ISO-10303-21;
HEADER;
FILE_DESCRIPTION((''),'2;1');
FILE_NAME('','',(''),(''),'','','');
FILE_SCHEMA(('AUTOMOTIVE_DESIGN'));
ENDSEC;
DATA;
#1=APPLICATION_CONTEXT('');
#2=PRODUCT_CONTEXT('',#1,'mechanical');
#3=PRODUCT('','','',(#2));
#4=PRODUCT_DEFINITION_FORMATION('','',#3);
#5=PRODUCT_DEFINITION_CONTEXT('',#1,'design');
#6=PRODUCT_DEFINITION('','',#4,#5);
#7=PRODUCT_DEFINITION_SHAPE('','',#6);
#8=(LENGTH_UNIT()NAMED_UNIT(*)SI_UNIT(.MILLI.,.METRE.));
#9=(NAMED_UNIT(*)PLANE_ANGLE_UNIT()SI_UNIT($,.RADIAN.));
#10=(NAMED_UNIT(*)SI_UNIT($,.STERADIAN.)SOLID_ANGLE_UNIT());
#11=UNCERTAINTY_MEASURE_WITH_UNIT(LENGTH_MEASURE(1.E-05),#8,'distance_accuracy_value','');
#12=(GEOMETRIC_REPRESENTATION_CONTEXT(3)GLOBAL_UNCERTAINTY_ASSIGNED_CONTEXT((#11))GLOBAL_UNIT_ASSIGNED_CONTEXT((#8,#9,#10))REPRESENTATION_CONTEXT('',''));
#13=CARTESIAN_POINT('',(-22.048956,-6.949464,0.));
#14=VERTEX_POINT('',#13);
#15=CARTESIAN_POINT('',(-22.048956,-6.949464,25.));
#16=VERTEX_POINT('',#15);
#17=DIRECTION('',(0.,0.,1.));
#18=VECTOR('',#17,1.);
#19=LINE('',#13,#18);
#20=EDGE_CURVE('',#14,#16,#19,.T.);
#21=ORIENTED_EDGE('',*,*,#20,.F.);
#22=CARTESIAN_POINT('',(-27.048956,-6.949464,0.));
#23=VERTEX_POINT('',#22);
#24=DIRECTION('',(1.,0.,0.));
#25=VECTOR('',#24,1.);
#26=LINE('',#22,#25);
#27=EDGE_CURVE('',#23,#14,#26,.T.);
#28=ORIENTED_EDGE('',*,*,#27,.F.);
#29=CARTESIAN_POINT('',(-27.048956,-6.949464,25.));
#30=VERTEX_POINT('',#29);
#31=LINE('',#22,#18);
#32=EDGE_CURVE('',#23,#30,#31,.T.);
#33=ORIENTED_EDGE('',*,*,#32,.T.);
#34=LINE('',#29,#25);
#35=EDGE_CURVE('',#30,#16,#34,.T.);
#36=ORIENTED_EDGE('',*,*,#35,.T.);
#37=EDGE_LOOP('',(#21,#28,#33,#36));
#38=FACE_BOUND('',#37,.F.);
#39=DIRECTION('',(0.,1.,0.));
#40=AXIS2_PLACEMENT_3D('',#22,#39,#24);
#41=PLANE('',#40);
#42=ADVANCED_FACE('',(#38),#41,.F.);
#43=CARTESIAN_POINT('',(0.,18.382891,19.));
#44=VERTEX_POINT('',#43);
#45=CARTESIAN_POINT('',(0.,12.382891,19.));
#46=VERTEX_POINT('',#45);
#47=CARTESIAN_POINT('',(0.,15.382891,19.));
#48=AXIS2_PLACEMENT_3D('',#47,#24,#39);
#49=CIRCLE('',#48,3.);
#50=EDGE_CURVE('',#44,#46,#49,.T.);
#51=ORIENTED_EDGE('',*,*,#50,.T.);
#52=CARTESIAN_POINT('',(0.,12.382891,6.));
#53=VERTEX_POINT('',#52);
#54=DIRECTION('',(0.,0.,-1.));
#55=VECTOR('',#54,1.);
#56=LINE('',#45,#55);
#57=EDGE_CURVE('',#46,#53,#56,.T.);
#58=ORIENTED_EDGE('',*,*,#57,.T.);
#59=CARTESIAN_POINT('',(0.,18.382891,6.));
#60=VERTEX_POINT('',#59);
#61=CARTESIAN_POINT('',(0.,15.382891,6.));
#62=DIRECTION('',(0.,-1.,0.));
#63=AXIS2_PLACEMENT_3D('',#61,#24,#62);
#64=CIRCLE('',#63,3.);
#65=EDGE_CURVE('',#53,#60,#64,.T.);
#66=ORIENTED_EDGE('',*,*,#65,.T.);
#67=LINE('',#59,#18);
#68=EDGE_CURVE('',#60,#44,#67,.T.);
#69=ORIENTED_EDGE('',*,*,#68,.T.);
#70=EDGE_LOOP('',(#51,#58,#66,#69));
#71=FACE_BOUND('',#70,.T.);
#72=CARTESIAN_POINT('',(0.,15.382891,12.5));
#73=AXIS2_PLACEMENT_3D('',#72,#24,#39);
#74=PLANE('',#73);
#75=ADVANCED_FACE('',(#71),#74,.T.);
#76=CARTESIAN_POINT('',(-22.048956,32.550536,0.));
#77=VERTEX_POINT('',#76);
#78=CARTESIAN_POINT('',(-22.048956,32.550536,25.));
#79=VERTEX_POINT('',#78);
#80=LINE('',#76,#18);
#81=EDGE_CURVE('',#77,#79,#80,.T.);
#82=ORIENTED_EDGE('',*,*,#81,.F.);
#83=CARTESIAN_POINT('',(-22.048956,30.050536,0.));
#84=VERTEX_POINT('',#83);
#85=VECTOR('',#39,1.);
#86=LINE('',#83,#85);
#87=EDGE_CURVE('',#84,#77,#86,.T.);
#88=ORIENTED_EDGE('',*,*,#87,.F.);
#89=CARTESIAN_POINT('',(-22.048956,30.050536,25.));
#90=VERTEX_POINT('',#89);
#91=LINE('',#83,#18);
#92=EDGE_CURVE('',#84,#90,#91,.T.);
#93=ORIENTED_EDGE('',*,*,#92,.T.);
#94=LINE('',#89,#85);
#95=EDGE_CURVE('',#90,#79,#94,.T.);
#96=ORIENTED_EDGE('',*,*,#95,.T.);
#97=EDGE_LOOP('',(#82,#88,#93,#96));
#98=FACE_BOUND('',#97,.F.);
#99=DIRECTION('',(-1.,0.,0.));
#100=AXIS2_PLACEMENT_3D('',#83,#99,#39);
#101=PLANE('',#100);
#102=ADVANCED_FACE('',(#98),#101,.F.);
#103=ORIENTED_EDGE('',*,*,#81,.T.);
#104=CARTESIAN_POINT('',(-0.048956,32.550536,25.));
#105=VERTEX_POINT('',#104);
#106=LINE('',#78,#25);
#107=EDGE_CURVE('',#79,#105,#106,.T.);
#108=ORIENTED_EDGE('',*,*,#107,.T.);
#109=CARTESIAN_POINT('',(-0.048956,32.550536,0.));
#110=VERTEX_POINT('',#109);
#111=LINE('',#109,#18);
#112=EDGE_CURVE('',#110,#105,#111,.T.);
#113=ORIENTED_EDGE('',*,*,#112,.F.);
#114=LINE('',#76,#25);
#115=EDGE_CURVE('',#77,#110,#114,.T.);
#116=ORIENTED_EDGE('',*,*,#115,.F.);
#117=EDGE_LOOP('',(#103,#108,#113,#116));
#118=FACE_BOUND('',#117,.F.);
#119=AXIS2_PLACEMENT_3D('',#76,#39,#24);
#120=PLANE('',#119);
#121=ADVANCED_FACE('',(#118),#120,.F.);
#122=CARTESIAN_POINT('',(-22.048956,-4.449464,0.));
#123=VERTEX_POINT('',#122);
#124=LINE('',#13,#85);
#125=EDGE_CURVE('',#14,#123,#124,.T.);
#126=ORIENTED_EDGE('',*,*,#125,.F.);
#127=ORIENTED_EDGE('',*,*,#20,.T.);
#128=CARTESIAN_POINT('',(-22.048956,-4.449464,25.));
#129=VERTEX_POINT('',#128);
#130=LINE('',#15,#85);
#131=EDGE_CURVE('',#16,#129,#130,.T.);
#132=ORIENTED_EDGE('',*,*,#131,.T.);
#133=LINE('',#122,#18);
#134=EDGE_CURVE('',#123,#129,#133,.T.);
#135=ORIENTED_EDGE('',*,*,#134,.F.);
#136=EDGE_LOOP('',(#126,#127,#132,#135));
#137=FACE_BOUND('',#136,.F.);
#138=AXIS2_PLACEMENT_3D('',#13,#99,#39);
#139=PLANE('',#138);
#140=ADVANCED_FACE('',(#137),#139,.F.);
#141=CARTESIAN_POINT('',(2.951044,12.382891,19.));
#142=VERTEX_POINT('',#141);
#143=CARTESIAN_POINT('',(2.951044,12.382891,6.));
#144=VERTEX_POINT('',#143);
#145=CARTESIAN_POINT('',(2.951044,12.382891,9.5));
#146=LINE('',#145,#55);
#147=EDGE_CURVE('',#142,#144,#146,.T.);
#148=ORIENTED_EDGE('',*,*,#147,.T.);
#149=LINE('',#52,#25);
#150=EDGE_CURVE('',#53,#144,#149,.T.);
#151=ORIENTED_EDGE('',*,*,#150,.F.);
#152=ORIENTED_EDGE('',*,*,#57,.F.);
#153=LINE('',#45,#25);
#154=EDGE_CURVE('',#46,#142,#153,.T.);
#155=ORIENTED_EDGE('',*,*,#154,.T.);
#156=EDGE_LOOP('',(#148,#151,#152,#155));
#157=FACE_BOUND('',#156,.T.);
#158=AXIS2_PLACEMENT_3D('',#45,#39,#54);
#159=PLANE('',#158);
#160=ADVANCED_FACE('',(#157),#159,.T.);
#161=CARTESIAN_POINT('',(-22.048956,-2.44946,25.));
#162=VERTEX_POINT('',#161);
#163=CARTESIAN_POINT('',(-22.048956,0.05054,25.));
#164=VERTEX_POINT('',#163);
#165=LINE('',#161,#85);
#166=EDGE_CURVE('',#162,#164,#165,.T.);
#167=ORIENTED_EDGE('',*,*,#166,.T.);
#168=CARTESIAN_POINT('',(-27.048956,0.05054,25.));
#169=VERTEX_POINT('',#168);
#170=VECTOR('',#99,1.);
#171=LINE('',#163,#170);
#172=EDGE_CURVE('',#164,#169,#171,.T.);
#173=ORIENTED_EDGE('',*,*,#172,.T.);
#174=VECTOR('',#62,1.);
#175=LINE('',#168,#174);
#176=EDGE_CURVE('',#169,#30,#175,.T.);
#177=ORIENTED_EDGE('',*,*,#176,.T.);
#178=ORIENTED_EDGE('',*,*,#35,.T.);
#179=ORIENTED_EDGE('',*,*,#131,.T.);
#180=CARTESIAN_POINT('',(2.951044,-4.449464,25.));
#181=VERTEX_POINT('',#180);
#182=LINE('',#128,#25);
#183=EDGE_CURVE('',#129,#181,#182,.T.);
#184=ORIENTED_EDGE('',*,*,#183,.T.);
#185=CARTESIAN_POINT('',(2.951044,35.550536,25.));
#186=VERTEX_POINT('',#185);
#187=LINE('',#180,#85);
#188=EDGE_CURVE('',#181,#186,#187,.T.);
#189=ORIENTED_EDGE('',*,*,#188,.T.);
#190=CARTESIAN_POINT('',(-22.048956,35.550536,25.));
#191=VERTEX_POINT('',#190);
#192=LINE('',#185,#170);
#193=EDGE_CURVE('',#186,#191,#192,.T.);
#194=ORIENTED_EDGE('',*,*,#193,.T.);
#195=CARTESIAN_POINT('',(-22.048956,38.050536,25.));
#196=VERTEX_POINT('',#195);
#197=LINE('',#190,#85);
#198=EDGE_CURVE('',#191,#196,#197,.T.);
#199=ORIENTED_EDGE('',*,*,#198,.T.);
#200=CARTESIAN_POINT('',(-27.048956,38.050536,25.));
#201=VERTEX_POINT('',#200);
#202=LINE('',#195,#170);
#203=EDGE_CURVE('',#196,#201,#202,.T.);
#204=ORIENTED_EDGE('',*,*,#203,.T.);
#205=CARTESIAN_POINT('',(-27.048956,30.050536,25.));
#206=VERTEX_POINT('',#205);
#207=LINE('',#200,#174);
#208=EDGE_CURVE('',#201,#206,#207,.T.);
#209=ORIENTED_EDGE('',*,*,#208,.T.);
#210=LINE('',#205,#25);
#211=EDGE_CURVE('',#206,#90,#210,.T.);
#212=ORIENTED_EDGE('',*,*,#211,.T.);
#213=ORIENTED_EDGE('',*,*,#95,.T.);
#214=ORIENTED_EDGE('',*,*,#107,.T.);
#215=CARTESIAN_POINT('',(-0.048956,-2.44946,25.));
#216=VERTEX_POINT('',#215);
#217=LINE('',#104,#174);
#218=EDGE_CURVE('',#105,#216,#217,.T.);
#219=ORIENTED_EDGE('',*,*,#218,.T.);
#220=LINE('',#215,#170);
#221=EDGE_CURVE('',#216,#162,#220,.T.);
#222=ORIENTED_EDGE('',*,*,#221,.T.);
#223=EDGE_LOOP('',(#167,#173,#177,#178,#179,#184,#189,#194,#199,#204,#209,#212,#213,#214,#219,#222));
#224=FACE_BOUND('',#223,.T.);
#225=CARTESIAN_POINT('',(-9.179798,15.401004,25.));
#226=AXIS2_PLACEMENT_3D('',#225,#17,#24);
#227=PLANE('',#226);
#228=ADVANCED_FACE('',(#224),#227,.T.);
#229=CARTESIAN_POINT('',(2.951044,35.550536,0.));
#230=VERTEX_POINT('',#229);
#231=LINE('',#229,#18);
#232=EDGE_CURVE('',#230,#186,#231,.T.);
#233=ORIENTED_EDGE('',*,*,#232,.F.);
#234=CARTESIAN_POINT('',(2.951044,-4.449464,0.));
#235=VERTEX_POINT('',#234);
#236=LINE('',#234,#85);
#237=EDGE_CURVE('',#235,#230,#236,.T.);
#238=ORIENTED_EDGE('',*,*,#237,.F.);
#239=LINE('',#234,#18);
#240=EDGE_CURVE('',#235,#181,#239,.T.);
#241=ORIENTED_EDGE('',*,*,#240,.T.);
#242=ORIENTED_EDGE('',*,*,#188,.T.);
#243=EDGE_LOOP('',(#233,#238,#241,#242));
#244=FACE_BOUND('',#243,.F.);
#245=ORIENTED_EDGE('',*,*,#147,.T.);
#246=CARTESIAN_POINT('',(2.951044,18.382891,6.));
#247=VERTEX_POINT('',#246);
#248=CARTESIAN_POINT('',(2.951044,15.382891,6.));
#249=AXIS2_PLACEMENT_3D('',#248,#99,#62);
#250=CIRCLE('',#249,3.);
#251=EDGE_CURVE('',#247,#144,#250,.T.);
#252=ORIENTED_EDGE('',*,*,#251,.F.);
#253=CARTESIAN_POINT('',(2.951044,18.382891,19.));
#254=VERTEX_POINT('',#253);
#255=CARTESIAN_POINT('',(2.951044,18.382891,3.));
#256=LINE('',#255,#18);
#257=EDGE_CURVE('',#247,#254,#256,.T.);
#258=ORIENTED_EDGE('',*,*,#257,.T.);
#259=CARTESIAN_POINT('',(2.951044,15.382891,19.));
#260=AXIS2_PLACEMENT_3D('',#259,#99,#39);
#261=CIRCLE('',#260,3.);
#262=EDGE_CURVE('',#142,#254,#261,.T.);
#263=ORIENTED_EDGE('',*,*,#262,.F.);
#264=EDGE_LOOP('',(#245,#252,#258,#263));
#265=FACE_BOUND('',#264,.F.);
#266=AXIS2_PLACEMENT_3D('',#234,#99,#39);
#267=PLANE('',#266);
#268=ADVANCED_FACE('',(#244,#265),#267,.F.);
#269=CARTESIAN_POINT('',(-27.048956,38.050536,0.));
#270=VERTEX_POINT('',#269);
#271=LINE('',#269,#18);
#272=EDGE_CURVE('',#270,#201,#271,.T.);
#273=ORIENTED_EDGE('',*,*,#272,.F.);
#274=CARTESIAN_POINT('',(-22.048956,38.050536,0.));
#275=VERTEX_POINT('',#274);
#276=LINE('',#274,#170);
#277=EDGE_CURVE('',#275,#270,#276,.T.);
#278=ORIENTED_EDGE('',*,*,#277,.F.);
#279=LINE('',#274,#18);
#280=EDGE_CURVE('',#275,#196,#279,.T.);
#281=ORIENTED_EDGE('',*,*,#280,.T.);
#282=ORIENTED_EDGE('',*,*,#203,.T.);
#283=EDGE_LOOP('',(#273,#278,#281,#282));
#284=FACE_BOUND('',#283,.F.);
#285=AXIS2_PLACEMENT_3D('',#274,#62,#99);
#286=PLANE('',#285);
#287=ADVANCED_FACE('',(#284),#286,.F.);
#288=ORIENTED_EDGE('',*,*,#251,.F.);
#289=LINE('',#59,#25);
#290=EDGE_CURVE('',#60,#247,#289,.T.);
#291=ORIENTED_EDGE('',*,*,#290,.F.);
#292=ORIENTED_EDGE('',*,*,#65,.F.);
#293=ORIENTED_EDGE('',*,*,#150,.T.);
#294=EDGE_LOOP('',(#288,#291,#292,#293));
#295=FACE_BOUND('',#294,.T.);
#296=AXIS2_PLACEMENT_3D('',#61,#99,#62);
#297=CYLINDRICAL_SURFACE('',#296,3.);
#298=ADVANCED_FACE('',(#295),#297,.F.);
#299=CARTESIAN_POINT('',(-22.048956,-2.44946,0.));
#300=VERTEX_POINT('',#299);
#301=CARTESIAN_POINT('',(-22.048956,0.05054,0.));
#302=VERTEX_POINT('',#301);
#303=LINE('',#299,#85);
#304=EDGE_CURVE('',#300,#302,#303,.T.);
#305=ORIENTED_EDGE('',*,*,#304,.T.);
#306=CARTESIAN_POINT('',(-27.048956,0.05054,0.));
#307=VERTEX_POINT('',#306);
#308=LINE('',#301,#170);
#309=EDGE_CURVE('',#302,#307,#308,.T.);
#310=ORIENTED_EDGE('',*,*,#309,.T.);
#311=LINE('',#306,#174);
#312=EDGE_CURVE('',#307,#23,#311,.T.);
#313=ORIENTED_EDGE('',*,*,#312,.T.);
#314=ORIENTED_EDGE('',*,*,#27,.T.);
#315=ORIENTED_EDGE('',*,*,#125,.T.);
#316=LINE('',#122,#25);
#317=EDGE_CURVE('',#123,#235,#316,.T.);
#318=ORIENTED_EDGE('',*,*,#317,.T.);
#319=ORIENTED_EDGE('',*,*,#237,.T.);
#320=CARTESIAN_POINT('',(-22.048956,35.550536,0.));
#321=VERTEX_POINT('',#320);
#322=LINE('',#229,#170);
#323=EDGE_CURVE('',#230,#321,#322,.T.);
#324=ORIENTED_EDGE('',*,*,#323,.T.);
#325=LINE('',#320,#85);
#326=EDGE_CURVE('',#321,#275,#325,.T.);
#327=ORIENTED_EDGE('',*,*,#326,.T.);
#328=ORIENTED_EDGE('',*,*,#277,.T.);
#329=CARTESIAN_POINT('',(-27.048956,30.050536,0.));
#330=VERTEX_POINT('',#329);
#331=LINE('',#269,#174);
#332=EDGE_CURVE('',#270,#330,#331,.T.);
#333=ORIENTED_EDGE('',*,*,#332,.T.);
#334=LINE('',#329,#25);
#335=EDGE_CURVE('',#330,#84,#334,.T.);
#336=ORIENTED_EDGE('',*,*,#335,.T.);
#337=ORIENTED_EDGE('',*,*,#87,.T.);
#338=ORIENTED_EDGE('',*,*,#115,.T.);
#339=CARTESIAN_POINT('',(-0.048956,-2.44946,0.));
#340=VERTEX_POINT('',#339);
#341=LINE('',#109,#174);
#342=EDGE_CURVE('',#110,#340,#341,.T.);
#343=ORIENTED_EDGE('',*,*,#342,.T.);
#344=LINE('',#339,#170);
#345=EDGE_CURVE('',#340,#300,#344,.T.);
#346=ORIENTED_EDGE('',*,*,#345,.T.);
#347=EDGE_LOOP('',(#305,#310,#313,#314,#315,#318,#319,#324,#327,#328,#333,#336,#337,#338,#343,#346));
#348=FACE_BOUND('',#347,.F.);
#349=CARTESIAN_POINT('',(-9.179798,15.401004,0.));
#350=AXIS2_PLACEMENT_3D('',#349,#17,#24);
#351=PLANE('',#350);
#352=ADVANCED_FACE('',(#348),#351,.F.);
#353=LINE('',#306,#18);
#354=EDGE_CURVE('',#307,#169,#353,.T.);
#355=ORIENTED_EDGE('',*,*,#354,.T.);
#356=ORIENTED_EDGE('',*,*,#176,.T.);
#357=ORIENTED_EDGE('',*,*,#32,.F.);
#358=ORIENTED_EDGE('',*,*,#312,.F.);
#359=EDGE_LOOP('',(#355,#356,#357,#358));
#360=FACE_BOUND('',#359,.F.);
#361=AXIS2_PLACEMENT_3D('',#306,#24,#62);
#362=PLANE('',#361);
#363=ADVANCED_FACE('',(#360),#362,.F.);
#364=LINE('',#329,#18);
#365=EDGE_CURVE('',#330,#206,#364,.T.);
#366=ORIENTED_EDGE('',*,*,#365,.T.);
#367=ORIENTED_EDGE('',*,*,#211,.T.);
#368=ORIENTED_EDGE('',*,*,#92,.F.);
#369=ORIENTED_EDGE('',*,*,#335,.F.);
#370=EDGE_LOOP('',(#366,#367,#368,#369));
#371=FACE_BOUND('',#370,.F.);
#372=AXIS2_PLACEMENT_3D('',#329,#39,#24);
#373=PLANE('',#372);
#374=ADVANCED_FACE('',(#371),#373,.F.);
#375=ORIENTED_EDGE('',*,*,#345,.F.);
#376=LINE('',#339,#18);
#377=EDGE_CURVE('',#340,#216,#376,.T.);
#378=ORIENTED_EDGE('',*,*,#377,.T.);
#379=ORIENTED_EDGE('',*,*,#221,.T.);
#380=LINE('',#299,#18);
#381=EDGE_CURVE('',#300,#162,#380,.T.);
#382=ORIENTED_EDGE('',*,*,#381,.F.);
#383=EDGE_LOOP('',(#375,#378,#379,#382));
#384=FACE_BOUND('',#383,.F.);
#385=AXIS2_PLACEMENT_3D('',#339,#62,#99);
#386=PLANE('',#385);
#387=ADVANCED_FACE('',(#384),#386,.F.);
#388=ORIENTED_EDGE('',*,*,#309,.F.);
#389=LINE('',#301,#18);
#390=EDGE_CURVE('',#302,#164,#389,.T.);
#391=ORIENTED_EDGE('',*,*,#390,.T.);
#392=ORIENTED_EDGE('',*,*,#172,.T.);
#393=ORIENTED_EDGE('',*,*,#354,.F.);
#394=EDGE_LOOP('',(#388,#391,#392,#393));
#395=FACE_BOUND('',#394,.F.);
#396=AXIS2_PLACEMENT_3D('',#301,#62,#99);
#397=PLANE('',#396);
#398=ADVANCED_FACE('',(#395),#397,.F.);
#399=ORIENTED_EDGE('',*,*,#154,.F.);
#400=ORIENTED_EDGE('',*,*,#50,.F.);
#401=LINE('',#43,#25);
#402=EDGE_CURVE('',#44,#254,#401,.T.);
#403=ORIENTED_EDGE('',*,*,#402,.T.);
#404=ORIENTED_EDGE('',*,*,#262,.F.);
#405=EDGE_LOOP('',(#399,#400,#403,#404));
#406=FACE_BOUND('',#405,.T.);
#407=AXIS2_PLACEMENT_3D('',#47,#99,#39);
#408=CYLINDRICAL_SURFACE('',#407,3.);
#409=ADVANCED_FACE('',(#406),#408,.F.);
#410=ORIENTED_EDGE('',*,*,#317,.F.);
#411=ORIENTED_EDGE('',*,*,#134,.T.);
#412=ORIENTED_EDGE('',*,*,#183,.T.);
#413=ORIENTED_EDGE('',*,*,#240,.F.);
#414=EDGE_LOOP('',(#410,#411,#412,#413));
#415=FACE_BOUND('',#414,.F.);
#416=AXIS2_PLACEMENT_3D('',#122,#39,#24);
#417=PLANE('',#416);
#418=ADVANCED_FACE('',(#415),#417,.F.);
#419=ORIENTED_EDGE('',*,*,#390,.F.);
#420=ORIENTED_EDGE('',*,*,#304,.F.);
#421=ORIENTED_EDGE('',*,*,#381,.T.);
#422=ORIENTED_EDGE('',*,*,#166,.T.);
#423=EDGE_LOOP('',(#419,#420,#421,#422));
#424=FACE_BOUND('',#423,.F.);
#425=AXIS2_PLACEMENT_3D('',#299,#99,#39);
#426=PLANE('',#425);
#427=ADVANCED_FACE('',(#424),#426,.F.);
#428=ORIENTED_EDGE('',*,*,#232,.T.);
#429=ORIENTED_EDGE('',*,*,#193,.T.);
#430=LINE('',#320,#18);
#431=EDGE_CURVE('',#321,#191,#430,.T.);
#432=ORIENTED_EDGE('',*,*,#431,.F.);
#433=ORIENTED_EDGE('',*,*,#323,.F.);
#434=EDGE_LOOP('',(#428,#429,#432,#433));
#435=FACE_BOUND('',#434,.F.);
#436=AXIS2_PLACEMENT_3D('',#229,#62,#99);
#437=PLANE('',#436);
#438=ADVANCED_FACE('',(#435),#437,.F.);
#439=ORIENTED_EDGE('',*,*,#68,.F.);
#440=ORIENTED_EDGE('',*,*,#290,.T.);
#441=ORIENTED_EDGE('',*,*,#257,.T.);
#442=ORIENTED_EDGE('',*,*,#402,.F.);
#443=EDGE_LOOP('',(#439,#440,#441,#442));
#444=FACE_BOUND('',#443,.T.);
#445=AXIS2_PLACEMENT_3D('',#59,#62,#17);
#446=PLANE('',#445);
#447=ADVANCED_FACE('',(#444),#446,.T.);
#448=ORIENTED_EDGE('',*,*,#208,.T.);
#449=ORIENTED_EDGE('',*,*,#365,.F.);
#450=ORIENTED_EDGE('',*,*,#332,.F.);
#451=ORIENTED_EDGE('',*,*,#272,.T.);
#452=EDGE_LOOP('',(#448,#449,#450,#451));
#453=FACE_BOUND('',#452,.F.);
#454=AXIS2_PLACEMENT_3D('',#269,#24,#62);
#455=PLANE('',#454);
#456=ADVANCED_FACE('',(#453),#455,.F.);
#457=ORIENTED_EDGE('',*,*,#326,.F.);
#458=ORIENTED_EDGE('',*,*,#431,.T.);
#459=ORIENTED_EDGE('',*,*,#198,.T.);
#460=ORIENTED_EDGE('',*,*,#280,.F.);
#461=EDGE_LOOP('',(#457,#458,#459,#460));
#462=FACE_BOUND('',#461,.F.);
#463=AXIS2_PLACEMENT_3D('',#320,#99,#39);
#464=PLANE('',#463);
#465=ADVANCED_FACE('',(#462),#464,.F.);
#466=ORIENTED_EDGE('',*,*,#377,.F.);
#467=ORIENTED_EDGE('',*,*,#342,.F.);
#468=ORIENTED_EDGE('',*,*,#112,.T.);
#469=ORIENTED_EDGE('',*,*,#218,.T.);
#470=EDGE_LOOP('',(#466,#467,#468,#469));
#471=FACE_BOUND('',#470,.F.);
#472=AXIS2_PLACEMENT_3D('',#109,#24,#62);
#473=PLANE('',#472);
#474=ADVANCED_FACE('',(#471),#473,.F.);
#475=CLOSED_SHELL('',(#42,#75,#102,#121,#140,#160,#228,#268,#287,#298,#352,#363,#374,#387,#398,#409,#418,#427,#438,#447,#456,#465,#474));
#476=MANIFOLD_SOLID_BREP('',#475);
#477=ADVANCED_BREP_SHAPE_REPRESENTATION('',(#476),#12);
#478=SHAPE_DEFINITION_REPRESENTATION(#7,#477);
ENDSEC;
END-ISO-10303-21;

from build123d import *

# Parameters (mm, degrees)
F1_DEPTH = 25
F3_DEPTH = 25


with BuildPart() as f1:
    # F0 (on Top) → F1 (new body)
    with BuildSketch(Plane.XY):
        Polygon((-22.048956, -2.44946), (-22.048956, 0.05054), (-27.048956, 0.05054), (-27.048956, -6.949464), (-22.048956, -6.949464), (-22.048956, -4.449464), (2.951044, -4.449464), (2.951044, 35.550536), (-22.048956, 35.550536), (-22.048956, 38.050536), (-27.048956, 38.050536), (-27.048956, 30.050536), (-22.048956, 30.050536), (-22.048956, 32.550536), (-0.048956, 32.550536), (-0.048956, -2.44946), align=None)
    extrude(amount=F1_DEPTH)

    # F2 (on Right) → F3 (cut)
    with BuildSketch(Plane.YZ):
        with BuildLine():
            Line((18.382891, 6), (18.382891, 19))
            ThreePointArc((18.382891, 19), (15.382891, 22), (12.382891, 19))
            Line((12.382891, 19), (12.382891, 6))
            ThreePointArc((12.382891, 6), (15.382891, 3), (18.382891, 6))
        make_face()
    extrude(amount=F3_DEPTH, mode=Mode.SUBTRACT)


solid = f1.part
